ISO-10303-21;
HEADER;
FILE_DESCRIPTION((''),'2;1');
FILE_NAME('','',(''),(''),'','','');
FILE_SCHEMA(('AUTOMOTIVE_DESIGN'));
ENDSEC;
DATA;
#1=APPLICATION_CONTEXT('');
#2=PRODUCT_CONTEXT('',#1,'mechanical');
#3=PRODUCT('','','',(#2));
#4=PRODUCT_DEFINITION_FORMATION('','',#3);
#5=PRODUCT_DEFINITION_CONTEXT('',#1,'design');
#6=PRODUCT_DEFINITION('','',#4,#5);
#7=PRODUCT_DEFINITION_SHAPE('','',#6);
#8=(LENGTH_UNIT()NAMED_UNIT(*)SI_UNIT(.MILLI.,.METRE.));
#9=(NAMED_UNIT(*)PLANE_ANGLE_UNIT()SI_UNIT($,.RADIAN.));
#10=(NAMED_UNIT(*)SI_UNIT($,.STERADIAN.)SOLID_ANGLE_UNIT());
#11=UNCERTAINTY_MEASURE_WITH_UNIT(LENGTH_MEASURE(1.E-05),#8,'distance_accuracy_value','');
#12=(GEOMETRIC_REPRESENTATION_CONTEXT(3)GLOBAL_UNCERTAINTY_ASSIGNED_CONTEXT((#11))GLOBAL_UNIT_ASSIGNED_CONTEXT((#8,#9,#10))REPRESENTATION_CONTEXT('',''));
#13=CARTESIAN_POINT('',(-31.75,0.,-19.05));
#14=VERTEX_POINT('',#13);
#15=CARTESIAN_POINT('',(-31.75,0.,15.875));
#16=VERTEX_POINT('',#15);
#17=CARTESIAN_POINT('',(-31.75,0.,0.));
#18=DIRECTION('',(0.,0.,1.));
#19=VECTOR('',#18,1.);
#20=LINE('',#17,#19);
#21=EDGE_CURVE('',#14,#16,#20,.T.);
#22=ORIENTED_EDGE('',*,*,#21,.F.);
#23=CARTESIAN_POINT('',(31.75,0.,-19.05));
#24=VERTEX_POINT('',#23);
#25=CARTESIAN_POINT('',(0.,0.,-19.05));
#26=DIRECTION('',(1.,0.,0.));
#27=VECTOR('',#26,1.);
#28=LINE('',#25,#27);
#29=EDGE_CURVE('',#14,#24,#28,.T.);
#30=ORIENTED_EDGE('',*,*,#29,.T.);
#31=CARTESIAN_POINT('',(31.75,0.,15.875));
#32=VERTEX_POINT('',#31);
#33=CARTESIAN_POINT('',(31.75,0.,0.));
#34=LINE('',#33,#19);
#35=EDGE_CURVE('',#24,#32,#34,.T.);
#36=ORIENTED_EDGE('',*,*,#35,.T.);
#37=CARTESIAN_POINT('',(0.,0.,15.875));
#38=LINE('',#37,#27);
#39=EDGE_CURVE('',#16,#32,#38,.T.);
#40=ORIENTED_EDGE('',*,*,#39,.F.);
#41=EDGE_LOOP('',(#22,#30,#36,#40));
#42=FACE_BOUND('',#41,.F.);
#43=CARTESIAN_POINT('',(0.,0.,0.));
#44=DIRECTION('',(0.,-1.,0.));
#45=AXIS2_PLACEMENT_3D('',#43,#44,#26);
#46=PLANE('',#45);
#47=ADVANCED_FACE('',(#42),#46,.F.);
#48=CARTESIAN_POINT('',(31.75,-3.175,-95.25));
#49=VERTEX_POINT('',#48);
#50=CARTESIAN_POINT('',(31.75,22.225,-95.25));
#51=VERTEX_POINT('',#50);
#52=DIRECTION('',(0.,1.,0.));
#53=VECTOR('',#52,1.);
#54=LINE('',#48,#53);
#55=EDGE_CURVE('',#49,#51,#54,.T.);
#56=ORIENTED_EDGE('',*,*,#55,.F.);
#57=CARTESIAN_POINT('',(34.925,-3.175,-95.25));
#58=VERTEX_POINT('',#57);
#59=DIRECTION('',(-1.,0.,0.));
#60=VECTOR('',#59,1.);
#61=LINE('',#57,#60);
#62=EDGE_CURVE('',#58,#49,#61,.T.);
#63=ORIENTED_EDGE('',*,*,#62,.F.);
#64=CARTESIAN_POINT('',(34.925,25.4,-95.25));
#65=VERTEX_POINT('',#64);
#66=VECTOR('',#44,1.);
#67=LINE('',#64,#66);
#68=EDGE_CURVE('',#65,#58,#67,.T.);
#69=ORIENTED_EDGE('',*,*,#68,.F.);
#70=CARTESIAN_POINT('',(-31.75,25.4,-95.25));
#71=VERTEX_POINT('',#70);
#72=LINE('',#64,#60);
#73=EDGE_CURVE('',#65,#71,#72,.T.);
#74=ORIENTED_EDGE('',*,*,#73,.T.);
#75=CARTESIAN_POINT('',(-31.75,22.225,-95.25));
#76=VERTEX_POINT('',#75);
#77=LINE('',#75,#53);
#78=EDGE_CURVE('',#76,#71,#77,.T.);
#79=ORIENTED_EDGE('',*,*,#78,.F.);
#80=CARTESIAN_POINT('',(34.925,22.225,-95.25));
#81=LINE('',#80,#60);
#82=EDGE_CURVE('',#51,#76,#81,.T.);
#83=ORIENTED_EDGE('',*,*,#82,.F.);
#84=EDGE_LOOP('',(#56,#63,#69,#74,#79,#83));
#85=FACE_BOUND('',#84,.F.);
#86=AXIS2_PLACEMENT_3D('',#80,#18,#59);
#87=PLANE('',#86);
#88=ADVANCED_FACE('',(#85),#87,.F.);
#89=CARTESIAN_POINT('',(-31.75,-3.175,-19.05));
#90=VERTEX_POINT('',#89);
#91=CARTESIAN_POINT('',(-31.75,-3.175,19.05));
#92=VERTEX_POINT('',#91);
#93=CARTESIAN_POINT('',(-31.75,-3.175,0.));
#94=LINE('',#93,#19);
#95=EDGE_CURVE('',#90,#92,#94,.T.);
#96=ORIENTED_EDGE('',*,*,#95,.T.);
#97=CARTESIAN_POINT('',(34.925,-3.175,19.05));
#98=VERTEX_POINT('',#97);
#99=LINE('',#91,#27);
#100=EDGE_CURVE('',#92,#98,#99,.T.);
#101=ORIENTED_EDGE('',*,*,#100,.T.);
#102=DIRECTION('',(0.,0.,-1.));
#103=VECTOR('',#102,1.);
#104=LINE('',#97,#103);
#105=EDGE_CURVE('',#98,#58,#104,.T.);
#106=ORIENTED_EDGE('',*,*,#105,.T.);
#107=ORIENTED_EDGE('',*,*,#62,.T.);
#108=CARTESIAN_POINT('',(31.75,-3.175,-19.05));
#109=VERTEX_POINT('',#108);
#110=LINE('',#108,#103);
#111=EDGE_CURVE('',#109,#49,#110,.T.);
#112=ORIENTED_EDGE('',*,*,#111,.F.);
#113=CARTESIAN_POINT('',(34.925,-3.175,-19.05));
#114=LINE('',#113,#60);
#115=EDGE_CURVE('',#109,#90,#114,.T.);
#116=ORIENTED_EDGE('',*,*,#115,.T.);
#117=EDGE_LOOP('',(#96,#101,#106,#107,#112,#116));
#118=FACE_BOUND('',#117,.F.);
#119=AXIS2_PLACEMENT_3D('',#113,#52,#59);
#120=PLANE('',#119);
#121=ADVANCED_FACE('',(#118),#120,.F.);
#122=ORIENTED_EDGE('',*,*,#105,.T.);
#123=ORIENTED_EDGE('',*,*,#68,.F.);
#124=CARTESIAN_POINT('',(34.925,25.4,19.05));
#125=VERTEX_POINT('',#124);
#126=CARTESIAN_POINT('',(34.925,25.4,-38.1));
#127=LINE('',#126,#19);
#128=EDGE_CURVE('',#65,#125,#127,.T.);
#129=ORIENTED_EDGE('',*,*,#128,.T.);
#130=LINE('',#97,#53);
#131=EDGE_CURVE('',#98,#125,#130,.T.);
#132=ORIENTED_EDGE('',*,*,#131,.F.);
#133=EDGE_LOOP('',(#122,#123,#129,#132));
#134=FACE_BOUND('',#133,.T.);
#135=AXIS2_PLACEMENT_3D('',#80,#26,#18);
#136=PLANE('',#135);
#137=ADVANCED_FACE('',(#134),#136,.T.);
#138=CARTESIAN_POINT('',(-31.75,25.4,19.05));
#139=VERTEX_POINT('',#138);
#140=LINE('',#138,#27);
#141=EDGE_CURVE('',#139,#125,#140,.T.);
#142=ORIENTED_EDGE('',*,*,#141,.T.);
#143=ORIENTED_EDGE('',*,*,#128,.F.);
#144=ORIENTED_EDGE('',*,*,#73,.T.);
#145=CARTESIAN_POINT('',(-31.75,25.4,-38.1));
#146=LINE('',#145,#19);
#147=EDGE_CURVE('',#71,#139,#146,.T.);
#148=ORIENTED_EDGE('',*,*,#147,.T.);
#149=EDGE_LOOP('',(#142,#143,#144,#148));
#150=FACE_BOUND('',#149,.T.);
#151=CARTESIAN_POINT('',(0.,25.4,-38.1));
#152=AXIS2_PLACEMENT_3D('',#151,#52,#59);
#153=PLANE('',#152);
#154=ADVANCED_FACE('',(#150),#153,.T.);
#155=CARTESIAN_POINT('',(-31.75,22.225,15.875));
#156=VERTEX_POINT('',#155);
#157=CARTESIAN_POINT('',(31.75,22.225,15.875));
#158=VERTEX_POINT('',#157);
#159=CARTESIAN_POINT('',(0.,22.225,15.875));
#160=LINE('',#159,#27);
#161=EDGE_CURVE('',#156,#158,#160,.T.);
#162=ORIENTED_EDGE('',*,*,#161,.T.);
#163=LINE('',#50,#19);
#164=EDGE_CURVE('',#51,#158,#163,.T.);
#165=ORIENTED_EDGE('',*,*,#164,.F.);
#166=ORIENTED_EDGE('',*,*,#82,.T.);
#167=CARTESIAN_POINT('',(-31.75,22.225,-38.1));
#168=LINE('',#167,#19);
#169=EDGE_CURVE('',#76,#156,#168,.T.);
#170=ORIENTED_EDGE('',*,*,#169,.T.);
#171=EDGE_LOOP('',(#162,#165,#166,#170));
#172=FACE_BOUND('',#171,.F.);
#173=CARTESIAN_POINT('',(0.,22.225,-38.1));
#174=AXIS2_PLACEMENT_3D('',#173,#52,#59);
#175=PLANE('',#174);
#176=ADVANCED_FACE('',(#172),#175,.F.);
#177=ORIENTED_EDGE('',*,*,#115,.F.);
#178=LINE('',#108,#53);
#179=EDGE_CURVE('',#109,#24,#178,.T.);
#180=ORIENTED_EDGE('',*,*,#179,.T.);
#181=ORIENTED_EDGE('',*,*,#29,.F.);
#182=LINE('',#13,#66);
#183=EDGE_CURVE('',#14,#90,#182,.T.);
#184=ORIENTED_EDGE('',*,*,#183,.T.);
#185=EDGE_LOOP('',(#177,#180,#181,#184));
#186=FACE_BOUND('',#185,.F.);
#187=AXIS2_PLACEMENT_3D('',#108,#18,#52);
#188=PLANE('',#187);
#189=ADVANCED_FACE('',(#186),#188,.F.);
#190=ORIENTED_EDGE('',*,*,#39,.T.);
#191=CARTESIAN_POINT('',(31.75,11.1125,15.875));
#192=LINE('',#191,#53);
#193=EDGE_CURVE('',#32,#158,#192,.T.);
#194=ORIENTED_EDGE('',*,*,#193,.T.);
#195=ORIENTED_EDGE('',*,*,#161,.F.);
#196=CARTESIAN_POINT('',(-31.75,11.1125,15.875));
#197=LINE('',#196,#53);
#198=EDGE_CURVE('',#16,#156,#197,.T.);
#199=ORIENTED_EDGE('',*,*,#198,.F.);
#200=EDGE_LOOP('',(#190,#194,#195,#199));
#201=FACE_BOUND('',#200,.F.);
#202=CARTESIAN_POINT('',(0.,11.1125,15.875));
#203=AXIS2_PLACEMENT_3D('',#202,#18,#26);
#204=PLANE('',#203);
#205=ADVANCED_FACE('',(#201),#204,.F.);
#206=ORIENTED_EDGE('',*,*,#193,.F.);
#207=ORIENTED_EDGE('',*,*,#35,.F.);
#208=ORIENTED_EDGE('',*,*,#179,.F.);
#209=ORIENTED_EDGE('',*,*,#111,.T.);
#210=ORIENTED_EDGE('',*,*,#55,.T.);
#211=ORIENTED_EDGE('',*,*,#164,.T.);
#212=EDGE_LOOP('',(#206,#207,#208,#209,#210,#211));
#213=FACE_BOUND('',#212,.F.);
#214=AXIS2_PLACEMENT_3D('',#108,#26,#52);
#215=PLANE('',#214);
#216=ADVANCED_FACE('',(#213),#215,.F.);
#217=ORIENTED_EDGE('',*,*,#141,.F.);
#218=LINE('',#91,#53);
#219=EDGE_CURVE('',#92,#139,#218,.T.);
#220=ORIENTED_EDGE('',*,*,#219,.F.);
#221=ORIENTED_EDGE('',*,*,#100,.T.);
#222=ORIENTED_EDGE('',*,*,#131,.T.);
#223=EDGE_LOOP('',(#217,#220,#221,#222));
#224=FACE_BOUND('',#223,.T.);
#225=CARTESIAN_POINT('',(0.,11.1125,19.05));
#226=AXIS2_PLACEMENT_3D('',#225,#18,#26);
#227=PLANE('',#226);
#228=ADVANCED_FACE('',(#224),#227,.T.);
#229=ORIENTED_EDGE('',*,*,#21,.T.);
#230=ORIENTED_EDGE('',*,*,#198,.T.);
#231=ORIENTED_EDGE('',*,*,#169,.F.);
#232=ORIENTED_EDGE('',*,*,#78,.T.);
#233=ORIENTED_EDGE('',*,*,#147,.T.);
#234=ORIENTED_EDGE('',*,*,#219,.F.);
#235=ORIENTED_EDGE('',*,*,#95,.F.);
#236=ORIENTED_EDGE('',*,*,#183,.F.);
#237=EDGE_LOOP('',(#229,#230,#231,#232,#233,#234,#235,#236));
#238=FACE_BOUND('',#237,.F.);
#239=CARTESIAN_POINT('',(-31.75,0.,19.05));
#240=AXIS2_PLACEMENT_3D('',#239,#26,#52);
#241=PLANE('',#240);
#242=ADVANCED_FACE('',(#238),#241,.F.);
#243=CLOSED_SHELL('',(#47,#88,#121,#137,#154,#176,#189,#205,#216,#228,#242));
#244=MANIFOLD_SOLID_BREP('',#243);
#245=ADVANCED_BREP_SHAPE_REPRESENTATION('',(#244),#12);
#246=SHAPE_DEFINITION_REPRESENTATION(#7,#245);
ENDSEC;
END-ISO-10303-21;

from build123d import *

# Parameters (mm, degrees)
F0_W     = 63.5
F0_H     = 38.1
F1_DEPTH = 3.175
F2_W     = 22.225
F2_H     = 38.1
F2_W_2   = 3.175
F3_DEPTH = 3.175
F5_DEPTH = 76.2
F6_W     = 63.5
F6_H     = 114.3
F6_W_2   = 3.175
F7_DEPTH = 3.175
F8_W     = 63.5
F8_H     = 22.225
F9_DEPTH = 3.175


with BuildPart() as f1:
    # F0 (on Front) → F1 (new body)
    with BuildSketch(Plane.XZ):
        Rectangle(F0_W, F0_H)
    extrude(amount=F1_DEPTH)

    # F2 (on face) → F3 (join)
    with BuildSketch(Plane.YZ.offset(31.75)):
        with Locations((11.1125, 0)):
            Rectangle(F2_W, F2_H)
        with Locations((-1.5875, 0)):
            Rectangle(F2_W_2, F2_H)
    extrude(amount=F3_DEPTH)

    # F4 (on face) → F5 (join)
    with BuildSketch(Plane(origin=(0, 0, -19.05), x_dir=(1, 0, 0), z_dir=(0, 0, -1))):
        Polygon((31.75, -22.225), (34.925, -22.225), (34.925, 3.175), (31.75, 3.175), (31.75, 0), align=None)
    extrude(amount=F5_DEPTH)

    # F6 (on face) → F7 (join)
    with BuildSketch(Plane(origin=(0, 22.225, 0), x_dir=(-1, 0, 0), z_dir=(0, 1, 0))):
        with Locations((0, -38.1)):
            Rectangle(F6_W, F6_H)
        with Locations((-33.3375, -38.1)):
            Rectangle(F6_W_2, F6_H)
    extrude(amount=F7_DEPTH)

    # F8 (on face) → F9 (join)
    with BuildSketch(Plane.XY.offset(19.05)):
        with Locations((0, 11.1125)):
            Rectangle(F8_W, F8_H)
    extrude(amount=-F9_DEPTH)


solid = f1.part
